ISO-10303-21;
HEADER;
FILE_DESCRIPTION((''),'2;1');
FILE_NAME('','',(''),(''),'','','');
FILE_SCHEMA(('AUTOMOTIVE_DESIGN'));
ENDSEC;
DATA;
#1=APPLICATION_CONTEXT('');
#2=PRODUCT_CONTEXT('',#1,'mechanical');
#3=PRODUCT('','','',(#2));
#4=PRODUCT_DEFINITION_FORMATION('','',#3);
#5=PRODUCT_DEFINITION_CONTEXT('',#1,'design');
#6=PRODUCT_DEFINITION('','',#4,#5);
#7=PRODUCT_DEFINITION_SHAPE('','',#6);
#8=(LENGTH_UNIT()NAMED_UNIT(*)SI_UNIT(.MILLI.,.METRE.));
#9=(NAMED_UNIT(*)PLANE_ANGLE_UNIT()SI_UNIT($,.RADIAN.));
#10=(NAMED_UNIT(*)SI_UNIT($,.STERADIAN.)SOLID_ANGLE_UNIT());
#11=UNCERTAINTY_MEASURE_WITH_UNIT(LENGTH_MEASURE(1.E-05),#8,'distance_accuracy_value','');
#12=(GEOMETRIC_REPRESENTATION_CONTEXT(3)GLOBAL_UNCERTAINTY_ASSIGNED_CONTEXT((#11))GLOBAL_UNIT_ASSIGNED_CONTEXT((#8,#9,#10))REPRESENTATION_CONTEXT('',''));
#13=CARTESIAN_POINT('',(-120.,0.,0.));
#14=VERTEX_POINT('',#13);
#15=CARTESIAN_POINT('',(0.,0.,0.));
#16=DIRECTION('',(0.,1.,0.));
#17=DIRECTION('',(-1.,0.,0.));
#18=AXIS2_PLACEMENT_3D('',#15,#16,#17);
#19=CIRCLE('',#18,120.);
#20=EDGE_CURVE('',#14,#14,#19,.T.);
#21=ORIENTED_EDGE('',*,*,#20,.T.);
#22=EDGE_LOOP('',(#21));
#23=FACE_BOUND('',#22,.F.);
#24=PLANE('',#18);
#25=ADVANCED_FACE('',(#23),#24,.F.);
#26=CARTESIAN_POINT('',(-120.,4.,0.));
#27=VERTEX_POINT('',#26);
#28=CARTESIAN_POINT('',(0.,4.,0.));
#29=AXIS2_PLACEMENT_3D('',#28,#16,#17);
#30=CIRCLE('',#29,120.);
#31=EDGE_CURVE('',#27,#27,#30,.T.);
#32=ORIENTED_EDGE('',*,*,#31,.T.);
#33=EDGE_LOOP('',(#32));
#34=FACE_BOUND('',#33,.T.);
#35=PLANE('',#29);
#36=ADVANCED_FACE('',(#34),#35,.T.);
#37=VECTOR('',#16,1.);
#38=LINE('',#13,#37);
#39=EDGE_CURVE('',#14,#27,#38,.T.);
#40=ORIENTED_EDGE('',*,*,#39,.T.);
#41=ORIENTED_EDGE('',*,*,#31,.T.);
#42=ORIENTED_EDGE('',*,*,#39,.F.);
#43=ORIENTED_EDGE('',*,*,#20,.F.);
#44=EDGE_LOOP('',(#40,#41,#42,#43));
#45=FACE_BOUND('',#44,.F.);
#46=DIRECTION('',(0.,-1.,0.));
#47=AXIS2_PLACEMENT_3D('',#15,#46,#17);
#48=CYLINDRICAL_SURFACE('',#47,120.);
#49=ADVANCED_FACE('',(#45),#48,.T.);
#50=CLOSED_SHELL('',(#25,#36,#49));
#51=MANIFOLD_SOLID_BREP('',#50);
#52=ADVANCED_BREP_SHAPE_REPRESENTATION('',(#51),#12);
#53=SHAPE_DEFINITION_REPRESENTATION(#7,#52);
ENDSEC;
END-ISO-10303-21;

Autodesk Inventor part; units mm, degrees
ref_plane "YZ Plane" through (0, 0, 0) normal (1, 0, 0) x (0, 1, 0)
ref_plane "XZ Plane" through (0, 0, 0) normal (0, 1, 0) x (-1, 0, 0)
ref_plane "XY Plane" through (0, 0, 0) normal (0, 0, 1) x (1, 0, 0)
sketch "Sketch1" plane through (0, 0, 0) normal (0, 1, 0) x (-1, 0, 0)
  circle A0 centre (0, 0) radius 120
  dimension "d0" = 240
extrude "Extrusion1" add sketch "Sketch1" along normal blind 4
properties part number "260 mm Glass"
